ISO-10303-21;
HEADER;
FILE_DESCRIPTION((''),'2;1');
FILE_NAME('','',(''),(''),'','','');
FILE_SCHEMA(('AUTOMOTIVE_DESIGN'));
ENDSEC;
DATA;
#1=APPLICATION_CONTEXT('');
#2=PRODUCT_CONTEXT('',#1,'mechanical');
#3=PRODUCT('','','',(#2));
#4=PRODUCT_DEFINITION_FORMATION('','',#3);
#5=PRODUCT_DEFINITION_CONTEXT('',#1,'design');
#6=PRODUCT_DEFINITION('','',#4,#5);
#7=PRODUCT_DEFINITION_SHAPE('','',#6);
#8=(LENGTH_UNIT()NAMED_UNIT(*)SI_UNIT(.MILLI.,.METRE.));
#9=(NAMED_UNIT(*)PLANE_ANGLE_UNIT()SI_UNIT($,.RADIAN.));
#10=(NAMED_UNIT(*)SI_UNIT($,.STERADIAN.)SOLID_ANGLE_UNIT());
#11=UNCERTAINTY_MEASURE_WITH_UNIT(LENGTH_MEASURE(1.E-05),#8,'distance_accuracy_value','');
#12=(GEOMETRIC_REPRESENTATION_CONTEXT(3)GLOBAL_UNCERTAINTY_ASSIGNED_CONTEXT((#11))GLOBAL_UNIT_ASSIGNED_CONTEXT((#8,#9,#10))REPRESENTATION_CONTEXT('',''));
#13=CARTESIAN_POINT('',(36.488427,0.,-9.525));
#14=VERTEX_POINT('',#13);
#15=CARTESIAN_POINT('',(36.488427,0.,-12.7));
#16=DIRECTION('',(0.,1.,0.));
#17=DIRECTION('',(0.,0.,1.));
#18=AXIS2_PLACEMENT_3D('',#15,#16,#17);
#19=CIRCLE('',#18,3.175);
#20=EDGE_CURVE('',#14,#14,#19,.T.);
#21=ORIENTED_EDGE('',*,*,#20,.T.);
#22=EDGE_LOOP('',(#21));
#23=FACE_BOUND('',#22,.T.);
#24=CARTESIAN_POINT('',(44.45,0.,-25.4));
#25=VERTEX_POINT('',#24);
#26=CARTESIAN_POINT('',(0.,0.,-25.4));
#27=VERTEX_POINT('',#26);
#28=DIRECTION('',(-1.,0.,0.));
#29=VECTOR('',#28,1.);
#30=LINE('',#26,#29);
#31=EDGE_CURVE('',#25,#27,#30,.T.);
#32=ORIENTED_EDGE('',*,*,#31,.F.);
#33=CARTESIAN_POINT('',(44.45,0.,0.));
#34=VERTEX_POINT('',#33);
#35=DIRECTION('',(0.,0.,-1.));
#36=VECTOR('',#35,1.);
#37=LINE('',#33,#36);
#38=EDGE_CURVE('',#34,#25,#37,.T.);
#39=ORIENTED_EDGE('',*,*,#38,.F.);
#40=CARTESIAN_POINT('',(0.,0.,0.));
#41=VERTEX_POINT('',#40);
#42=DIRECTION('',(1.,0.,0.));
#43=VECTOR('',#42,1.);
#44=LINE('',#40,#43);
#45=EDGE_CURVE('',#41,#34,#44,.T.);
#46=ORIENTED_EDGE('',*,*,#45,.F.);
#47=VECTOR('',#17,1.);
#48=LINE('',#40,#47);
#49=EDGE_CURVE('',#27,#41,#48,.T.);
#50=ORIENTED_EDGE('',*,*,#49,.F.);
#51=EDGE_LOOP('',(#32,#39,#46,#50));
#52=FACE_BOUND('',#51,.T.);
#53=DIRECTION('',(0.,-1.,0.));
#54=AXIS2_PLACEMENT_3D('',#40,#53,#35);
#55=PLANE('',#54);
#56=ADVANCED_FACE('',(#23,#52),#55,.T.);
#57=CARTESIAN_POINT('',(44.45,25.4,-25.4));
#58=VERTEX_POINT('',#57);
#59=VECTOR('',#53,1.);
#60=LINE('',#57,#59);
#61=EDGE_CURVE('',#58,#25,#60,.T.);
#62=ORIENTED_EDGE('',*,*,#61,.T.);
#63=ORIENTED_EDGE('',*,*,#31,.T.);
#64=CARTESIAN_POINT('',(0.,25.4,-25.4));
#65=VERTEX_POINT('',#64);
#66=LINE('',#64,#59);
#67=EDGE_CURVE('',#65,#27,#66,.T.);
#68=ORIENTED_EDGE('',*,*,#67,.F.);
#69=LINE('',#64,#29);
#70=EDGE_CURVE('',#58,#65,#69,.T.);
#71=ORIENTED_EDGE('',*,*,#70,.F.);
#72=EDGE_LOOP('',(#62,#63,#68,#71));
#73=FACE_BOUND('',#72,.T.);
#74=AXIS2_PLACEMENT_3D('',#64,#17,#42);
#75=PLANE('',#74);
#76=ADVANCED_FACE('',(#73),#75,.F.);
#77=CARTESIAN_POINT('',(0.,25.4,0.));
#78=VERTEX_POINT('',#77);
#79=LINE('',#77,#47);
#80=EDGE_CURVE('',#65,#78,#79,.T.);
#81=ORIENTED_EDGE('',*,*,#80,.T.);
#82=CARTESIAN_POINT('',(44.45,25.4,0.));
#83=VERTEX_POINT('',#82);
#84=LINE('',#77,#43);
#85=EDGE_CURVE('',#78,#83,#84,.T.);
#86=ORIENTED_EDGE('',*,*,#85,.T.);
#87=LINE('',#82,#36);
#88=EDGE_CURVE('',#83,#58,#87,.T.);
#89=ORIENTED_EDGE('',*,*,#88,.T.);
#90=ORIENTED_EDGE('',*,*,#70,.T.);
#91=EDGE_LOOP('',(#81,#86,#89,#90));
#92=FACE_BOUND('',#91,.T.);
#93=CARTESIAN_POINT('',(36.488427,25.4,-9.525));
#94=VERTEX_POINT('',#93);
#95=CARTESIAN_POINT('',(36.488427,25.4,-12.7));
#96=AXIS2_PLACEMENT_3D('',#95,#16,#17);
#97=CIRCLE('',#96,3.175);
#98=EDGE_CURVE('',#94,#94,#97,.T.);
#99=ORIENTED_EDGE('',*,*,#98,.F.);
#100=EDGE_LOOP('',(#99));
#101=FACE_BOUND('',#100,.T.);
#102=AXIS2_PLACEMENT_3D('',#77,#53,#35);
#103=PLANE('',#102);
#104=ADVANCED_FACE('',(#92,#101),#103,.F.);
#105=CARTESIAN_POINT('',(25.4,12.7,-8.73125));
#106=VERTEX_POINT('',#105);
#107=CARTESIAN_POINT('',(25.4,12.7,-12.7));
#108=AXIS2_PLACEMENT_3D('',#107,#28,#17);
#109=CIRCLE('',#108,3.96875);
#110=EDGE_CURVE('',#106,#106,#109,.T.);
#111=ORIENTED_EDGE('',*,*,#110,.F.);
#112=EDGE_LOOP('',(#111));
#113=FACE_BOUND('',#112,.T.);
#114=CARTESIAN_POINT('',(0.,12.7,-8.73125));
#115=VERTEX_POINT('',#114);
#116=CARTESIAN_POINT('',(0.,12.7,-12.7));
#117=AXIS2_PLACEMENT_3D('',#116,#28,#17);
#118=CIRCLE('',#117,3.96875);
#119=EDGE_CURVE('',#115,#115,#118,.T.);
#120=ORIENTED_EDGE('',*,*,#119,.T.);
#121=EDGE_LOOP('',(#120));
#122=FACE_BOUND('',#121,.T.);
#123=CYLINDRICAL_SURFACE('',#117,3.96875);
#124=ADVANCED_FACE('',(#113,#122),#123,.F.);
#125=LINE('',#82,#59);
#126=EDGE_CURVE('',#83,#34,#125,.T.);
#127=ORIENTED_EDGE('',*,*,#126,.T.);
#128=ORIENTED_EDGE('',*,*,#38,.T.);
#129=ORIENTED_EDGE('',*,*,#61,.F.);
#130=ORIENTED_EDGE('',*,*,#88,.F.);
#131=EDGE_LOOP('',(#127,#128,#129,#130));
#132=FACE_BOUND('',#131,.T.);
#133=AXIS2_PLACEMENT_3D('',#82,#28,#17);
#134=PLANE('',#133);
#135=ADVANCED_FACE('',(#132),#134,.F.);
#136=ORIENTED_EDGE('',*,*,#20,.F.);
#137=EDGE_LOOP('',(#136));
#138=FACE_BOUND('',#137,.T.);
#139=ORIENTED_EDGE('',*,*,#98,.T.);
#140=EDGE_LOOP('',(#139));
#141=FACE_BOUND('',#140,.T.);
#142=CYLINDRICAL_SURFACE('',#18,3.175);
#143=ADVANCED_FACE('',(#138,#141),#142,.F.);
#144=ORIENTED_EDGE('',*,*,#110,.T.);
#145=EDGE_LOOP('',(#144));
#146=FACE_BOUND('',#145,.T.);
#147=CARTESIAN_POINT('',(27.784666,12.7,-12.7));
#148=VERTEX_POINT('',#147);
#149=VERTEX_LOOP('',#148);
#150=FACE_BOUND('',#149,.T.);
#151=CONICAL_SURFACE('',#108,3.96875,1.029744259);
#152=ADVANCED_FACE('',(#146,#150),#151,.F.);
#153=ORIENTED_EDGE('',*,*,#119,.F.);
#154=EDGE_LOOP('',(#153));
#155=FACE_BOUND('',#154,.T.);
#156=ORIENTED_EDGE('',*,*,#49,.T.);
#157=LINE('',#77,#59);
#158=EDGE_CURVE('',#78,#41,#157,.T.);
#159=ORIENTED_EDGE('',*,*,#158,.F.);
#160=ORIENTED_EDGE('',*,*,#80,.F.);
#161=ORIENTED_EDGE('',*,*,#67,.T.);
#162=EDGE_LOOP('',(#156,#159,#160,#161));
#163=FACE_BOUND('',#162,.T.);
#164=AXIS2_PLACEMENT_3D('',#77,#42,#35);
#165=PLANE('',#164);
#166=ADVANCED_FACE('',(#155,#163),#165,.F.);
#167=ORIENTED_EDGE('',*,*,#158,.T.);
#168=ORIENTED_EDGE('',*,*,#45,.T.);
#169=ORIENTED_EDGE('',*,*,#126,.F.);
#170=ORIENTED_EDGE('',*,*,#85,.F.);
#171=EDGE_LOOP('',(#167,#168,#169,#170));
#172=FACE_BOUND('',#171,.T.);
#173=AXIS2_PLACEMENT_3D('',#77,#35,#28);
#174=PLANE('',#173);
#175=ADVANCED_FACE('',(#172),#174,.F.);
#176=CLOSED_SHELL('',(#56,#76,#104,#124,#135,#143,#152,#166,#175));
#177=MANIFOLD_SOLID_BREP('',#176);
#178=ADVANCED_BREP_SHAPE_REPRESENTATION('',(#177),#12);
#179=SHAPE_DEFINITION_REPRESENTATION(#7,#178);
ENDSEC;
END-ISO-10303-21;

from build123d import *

# Parameters (mm, degrees)
SKETCH1_W                   = 44.45
SKETCH1_H                   = 25.4
BOSS_EXTRUDE1_DEPTH         = 25.4
SKETCH2_R                   = 3.175
CUT_EXTRUDE1_DEPTH          = 58.15
F_3_8_16_TAPPED_HOLE1_D     = 7.9375
F_3_8_16_TAPPED_HOLE1_DEPTH = 25.4
F_3_8_16_TAPPED_HOLE1_TIP   = 2.384665582


with BuildPart() as part:
    # Sketch1 → Boss-Extrude1 (new body)
    with BuildSketch(Plane(origin=(0, 0, 0), x_dir=(1, 0, 0), z_dir=(0, 1, 0))):
        with Locations((22.225, 12.7)):
            Rectangle(SKETCH1_W, SKETCH1_H)
    extrude(amount=BOSS_EXTRUDE1_DEPTH)

    # Sketch2 → Cut-Extrude1 (cut, through all)
    with BuildSketch(Plane(origin=(0, 25.4, 0), x_dir=(1, 0, 0), z_dir=(0, 1, 0))):
        with Locations(Location((36.48842715, 12.7, 0), (0, 0, 270))):
            Circle(SKETCH2_R)
    extrude(amount=-CUT_EXTRUDE1_DEPTH, mode=Mode.SUBTRACT)

    # 3/8-16 Tapped Hole1
    with Locations(Plane.ZY):
        with Locations((-12.7, 12.7)):
            Hole(F_3_8_16_TAPPED_HOLE1_D / 2, depth=F_3_8_16_TAPPED_HOLE1_DEPTH)
            with Locations((0, 0, -(F_3_8_16_TAPPED_HOLE1_DEPTH + F_3_8_16_TAPPED_HOLE1_TIP / 2))):  # 118° drill point
                Cone(0, F_3_8_16_TAPPED_HOLE1_D / 2, F_3_8_16_TAPPED_HOLE1_TIP, mode=Mode.SUBTRACT)


solid = part.part
